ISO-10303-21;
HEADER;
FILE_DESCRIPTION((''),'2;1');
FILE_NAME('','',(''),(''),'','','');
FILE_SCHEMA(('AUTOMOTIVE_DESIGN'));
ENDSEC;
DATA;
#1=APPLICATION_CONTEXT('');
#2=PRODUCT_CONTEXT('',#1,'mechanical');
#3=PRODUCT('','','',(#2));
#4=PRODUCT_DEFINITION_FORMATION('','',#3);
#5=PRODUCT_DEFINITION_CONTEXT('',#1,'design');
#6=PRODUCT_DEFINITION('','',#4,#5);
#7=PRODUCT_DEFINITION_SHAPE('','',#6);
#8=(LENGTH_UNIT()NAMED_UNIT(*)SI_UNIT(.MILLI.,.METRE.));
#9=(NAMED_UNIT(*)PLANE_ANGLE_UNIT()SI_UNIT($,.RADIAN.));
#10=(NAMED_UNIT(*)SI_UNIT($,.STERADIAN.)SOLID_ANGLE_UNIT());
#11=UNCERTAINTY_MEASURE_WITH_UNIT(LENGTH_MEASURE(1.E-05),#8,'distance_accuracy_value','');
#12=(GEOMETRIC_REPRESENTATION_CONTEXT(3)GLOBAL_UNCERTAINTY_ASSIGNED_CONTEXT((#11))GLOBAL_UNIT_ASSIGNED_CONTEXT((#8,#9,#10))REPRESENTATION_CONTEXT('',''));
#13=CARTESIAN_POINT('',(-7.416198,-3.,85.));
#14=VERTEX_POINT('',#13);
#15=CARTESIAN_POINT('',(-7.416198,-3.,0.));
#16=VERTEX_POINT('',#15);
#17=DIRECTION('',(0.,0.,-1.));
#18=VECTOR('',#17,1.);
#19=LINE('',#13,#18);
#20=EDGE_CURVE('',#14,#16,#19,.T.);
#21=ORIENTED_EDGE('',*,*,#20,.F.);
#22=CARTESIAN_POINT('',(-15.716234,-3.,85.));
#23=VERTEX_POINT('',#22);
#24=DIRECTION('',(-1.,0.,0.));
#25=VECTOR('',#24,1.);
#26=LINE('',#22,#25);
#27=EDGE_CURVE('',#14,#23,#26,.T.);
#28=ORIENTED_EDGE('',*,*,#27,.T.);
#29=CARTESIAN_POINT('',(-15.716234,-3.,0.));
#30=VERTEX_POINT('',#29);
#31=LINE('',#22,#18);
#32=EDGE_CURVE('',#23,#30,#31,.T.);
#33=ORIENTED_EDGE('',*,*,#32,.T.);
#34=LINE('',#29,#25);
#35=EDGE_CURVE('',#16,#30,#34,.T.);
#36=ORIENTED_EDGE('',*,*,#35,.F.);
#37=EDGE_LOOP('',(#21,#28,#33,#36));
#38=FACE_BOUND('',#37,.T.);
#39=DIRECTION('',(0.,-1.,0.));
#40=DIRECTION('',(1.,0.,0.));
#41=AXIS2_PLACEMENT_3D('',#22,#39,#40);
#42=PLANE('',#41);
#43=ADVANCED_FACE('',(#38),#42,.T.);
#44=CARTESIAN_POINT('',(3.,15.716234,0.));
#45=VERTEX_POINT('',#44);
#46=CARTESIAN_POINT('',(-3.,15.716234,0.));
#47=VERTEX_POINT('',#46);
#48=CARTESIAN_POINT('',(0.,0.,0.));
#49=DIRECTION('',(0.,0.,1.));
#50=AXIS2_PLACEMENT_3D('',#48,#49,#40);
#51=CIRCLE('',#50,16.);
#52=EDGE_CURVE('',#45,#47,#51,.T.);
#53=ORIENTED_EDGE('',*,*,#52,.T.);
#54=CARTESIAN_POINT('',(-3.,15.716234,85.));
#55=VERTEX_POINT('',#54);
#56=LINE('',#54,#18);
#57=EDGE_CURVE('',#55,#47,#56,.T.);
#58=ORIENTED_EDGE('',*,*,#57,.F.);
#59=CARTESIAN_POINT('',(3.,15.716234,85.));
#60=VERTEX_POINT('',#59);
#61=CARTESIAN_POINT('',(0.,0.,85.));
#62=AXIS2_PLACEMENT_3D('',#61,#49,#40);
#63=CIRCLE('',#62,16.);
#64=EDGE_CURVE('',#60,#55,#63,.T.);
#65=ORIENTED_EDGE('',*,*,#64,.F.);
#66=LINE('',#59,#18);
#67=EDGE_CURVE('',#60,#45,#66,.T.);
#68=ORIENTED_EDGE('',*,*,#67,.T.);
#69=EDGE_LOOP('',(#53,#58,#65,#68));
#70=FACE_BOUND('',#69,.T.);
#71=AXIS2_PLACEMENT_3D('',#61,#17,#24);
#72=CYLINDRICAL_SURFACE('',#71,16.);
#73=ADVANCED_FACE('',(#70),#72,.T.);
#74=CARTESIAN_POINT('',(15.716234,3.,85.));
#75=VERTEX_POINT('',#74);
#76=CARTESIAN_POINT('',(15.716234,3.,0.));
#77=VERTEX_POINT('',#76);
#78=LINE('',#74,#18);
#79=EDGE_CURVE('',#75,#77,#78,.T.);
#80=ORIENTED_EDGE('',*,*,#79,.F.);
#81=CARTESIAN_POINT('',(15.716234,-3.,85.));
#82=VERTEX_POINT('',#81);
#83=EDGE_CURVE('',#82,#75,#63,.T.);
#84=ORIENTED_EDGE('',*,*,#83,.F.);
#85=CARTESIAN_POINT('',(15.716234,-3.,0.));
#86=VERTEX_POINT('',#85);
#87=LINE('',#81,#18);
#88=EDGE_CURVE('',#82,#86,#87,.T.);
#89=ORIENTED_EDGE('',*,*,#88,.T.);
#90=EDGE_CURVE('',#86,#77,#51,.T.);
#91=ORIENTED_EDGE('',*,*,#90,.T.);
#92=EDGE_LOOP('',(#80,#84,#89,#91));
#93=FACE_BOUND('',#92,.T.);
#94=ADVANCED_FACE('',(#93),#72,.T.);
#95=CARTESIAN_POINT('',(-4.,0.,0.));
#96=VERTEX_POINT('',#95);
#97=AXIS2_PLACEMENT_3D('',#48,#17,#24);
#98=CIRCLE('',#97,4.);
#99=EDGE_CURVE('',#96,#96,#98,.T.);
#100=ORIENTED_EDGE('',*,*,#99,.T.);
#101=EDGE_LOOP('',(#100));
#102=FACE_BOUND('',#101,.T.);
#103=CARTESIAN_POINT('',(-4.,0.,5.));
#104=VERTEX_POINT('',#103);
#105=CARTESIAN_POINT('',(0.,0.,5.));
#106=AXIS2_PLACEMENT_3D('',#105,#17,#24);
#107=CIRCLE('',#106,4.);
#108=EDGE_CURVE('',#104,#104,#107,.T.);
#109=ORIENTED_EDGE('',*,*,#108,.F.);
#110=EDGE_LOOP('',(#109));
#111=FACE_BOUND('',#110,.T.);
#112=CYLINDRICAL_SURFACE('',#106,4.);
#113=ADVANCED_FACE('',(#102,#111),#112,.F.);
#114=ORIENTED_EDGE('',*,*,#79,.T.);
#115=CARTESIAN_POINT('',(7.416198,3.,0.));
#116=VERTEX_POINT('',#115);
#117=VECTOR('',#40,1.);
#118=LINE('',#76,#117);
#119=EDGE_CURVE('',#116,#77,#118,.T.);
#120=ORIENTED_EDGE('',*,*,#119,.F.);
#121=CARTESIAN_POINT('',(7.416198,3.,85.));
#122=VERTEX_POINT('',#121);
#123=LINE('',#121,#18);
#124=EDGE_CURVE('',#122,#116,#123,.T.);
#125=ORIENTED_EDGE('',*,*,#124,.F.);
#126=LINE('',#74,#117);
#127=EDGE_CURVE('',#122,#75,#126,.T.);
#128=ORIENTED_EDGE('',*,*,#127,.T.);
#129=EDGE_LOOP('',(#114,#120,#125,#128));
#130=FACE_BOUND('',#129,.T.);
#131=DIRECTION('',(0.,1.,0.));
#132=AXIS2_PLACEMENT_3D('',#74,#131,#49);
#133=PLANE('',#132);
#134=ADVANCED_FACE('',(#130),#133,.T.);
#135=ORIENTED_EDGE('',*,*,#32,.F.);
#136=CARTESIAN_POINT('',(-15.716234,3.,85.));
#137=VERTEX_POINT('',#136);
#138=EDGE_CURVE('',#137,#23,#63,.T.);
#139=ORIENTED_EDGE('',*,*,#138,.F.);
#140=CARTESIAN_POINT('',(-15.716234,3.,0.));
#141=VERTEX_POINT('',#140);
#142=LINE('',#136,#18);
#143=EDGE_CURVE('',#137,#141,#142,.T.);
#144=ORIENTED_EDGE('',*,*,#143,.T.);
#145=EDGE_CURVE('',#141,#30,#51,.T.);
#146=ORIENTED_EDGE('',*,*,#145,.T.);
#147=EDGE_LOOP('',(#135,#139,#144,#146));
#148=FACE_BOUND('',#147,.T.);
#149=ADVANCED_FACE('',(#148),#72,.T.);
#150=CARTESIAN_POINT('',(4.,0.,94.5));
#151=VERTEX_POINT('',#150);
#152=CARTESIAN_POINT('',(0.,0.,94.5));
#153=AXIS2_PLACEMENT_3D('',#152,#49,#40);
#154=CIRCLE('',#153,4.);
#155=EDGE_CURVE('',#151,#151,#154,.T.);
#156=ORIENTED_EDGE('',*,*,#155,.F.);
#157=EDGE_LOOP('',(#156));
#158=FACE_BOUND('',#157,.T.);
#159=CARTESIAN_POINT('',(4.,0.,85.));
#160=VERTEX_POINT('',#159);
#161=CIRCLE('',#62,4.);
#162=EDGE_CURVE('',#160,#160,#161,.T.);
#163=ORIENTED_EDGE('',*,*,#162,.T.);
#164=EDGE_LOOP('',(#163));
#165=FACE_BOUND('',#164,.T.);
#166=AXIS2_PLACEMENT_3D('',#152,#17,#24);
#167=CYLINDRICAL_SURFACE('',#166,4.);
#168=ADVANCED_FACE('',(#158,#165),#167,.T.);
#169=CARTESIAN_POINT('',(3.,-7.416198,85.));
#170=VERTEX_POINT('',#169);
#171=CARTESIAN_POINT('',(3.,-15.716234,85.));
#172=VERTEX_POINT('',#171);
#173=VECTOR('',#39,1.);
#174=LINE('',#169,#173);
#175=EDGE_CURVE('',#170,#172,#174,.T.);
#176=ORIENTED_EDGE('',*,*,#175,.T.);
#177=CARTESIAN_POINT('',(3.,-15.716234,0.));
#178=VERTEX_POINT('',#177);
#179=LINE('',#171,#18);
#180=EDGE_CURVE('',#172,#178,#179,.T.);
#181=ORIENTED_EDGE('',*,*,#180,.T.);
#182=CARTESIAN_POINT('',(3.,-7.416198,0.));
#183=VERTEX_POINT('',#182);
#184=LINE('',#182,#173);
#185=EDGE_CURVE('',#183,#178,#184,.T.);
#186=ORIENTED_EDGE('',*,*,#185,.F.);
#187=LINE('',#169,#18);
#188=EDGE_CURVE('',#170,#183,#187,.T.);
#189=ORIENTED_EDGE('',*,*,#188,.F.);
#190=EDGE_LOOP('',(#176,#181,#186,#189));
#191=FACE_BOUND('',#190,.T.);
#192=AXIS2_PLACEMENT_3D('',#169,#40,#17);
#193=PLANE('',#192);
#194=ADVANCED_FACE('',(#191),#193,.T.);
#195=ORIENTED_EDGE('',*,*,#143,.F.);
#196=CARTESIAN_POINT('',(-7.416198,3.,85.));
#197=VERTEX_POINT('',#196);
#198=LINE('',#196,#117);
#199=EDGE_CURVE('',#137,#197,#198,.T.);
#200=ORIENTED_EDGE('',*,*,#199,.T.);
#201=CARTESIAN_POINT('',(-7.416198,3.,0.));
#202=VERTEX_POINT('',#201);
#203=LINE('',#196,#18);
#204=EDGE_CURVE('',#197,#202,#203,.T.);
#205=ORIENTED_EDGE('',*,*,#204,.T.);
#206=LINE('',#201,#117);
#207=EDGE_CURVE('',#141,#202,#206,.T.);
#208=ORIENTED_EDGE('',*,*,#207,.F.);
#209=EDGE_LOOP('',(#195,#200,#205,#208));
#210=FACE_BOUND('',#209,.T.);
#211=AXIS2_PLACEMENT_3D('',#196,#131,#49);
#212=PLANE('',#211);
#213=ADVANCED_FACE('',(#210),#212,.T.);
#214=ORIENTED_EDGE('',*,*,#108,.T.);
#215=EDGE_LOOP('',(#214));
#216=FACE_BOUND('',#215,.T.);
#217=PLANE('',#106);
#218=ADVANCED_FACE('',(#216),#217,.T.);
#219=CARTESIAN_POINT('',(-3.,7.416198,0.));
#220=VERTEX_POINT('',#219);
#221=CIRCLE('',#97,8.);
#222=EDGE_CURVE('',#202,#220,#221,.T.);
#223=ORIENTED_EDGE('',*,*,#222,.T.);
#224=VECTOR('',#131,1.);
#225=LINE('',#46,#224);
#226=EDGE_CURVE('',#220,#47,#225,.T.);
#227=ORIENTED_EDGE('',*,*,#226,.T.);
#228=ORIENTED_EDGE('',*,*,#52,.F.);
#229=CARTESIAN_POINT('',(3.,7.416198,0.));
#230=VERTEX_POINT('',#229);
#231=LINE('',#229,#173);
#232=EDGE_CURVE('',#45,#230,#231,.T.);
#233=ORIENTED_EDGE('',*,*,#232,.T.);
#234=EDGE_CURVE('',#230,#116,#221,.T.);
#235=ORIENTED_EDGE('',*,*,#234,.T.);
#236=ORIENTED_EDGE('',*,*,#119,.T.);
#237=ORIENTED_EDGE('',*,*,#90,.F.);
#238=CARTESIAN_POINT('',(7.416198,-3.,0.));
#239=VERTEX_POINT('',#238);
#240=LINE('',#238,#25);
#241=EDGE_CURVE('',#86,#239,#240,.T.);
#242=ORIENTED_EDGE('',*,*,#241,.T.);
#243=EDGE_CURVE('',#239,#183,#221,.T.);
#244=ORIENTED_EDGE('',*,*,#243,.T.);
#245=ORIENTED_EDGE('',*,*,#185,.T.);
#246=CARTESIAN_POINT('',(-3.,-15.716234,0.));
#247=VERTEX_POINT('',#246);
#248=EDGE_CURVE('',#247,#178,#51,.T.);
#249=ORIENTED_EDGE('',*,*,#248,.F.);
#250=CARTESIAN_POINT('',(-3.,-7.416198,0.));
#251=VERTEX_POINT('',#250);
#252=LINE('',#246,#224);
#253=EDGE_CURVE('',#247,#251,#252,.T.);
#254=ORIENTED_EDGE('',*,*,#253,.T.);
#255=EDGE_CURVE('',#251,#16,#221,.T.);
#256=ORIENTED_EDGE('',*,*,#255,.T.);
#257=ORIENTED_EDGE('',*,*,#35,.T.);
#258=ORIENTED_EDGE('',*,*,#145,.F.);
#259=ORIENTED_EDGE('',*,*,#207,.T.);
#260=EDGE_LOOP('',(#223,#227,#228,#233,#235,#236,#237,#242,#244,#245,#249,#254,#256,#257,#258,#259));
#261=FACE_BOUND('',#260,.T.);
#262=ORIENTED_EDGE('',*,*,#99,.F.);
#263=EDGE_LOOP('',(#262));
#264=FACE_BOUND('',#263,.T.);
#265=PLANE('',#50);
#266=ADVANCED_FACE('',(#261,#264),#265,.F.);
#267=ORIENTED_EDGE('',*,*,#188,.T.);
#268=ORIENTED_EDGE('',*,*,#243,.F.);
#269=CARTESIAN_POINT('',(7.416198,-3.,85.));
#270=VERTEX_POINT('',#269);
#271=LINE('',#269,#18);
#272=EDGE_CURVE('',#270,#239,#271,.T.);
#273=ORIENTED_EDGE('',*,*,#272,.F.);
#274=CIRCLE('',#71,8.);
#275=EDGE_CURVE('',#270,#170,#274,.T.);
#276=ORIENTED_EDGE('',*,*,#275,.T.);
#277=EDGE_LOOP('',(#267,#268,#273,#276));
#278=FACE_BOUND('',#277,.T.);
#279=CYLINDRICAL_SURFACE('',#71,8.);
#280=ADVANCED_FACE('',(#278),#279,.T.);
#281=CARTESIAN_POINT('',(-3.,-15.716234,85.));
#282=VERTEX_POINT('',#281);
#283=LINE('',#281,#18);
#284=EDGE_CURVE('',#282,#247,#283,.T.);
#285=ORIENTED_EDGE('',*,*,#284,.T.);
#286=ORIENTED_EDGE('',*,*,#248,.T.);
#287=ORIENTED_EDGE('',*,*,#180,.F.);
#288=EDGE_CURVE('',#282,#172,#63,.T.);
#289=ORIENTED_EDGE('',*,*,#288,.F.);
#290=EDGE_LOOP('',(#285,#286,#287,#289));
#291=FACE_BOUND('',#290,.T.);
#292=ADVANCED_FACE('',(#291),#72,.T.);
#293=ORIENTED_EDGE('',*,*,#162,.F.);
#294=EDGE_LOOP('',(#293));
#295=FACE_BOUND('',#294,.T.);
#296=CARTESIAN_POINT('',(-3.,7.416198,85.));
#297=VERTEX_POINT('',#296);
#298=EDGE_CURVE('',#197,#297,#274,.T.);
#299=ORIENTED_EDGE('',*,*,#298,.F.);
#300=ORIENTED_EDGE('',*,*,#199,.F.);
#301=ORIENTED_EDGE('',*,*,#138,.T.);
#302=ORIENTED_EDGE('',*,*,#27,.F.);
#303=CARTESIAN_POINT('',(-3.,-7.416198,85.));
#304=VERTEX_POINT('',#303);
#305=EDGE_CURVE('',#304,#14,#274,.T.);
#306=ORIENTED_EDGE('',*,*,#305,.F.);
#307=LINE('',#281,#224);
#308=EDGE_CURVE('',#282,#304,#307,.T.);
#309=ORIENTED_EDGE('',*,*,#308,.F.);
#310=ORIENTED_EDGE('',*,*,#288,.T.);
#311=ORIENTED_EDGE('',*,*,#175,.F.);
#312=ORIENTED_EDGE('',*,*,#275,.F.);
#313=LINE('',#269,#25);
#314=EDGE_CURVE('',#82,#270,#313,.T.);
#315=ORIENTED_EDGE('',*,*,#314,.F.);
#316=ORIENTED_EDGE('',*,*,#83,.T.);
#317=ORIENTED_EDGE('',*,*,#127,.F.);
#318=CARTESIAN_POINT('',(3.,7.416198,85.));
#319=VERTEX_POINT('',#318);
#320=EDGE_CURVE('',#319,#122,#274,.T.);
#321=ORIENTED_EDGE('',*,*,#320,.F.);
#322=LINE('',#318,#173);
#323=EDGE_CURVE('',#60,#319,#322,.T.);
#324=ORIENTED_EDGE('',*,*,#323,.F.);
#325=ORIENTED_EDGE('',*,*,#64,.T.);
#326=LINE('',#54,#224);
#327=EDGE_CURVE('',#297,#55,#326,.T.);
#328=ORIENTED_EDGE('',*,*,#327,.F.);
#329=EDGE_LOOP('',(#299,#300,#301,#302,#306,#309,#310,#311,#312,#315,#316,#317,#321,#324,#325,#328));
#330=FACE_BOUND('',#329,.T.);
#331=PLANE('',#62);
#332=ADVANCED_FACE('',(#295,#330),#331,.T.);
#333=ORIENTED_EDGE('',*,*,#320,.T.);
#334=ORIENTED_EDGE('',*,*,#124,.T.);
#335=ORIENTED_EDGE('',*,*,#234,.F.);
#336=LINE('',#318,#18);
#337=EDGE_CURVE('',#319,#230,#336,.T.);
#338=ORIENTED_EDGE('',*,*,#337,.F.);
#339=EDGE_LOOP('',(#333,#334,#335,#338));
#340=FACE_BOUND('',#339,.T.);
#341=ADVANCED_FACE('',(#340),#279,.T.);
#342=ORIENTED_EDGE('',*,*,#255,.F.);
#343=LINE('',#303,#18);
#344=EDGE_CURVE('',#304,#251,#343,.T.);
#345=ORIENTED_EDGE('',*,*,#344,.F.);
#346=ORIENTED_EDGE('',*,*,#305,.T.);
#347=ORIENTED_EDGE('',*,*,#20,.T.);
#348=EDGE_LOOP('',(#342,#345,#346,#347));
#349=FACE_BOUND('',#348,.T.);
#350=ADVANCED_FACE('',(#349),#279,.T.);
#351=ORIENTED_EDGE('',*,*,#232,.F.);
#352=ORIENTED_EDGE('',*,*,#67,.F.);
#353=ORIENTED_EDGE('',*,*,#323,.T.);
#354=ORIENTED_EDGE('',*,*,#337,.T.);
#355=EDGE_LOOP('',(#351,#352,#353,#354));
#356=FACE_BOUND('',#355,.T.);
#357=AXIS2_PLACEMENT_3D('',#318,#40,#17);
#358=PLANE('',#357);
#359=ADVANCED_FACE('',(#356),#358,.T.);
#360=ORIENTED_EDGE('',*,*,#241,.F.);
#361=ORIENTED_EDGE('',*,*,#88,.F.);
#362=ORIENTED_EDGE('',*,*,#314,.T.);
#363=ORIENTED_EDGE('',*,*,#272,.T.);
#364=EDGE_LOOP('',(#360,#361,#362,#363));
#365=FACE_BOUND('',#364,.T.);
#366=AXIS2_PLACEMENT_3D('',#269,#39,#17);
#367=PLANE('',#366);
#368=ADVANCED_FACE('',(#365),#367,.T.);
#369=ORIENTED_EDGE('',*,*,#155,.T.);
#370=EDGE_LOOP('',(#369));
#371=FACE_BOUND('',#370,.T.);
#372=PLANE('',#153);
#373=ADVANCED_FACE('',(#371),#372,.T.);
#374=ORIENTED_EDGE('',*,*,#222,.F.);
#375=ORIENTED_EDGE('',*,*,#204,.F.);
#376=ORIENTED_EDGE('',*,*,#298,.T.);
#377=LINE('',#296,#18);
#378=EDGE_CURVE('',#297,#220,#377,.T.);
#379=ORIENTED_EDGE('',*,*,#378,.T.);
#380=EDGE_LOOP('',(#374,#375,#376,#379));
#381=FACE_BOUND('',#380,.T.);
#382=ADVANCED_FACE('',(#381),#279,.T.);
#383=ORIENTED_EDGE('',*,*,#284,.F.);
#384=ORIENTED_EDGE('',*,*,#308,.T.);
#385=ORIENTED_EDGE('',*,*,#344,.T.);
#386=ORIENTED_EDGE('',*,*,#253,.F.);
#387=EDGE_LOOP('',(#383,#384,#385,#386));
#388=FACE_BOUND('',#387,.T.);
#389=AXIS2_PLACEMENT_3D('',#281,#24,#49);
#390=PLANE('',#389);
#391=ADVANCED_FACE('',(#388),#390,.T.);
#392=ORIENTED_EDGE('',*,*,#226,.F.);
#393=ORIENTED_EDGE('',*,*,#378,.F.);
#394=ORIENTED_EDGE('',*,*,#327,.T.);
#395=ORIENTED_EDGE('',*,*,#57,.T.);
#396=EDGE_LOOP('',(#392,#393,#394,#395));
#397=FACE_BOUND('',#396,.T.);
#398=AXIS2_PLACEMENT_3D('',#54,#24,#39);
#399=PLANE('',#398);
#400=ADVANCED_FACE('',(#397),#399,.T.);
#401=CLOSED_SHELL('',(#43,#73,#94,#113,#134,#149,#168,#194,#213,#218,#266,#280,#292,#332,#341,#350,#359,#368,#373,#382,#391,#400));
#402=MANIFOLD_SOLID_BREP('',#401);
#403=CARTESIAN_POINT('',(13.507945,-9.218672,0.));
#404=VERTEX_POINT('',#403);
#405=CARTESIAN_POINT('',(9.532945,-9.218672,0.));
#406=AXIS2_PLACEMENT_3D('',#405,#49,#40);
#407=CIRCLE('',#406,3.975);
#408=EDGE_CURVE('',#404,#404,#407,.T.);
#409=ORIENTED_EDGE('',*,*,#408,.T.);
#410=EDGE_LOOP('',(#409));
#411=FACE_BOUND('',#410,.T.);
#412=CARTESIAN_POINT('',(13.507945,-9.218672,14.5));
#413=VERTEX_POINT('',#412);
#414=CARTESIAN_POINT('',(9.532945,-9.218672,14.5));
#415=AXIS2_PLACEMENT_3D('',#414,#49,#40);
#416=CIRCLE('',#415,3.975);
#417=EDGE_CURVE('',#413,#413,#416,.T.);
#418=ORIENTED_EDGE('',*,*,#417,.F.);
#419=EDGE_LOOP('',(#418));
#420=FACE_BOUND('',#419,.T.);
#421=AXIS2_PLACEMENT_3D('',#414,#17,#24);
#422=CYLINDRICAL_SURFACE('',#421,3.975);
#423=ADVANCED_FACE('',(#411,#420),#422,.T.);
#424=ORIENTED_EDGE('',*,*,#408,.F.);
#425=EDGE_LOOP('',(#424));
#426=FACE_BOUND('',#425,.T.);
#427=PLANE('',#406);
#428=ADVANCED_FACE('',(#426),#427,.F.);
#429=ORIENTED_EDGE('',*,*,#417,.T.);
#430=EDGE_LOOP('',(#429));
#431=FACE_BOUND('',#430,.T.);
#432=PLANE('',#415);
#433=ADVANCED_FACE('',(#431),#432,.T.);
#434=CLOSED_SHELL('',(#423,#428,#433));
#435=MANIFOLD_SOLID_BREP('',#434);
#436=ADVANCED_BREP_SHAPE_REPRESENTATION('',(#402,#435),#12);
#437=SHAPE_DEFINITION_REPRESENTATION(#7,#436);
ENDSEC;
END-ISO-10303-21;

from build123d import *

# Parameters (mm, degrees)
SKETCH1_R           = 16
BOSS_EXTRUDE1_DEPTH = 85
SKETCH3_R           = 4
CUT_EXTRUDE2_DEPTH  = 5
SKETCH4_OUTSIDE_W   = 53.26
SKETCH4_OUTSIDE_H   = 53.26
CUT_EXTRUDE3_DEPTH  = 86
SKETCH5_R           = 3.975
BOSS_EXTRUDE2_DEPTH = 14.5
SKETCH2_R           = 4
BOSS_EXTRUDE3_DEPTH = 9.5


with BuildPart() as part:
    # Sketch1 → Boss-Extrude1 (new body)
    with BuildSketch(Plane.XY):
        Circle(SKETCH1_R)
    extrude(amount=BOSS_EXTRUDE1_DEPTH)

    # Sketch3 → Cut-Extrude2 (cut)
    with BuildSketch(Plane(origin=(0, 0, 0), x_dir=(-1, 0, 0), z_dir=(0, 0, -1))):
        Circle(SKETCH3_R)
    extrude(amount=-CUT_EXTRUDE2_DEPTH, mode=Mode.SUBTRACT)

    # Sketch4 outside → Cut-Extrude3 (cut, through all)
    with BuildSketch(Plane(origin=(0, 0, 0), x_dir=(-1, 0, 0), z_dir=(0, 0, -1))):
        Rectangle(SKETCH4_OUTSIDE_W, SKETCH4_OUTSIDE_H)
        with BuildLine():
            Line((-15.716233646, 3), (-7.416198487, 3))
            ThreePointArc((-7.416198487, 3), (-5.656854249, 5.656854249), (-3, 7.416198487))
            Line((-3, 7.416198487), (-3, 15.716233646))
            ThreePointArc((-3, 15.716233646), (0, 16), (3, 15.716233646))
            Line((3, 15.716233646), (3, 7.416198487))
            ThreePointArc((3, 7.416198487), (5.656854249, 5.656854249), (7.416198487, 3))
            Line((7.416198487, 3), (15.716233646, 3))
            ThreePointArc((15.716233646, 3), (16, 0), (15.716233646, -3))
            Line((15.716233646, -3), (7.416198487, -3))
            ThreePointArc((7.416198487, -3), (5.656854249, -5.656854249), (3, -7.416198487))
            Line((3, -7.416198487), (3, -15.716233646))
            ThreePointArc((3, -15.716233646), (0, -16), (-3, -15.716233646))
            Line((-3, -15.716233646), (-3, -7.416198487))
            ThreePointArc((-3, -7.416198487), (-5.656854249, -5.656854249), (-7.416198487, -3))
            Line((-7.416198487, -3), (-15.716233646, -3))
            ThreePointArc((-15.716233646, -3), (-16, 0), (-15.716233646, 3))
        make_face(mode=Mode.SUBTRACT)
    extrude(amount=-CUT_EXTRUDE3_DEPTH, mode=Mode.SUBTRACT)

    # Sketch2 → Boss-Extrude3 (add)
    with BuildSketch(Plane.XY.offset(85)):
        Circle(SKETCH2_R)
    extrude(amount=BOSS_EXTRUDE3_DEPTH)


with BuildPart() as body_2:
    # Sketch5 → Boss-Extrude2 (new body)
    with BuildSketch(Plane.XY):
        with Locations((9.53294491, -9.218672001)):
            Circle(SKETCH5_R)
    extrude(amount=BOSS_EXTRUDE2_DEPTH)


solid = Compound([part.part, body_2.part])
